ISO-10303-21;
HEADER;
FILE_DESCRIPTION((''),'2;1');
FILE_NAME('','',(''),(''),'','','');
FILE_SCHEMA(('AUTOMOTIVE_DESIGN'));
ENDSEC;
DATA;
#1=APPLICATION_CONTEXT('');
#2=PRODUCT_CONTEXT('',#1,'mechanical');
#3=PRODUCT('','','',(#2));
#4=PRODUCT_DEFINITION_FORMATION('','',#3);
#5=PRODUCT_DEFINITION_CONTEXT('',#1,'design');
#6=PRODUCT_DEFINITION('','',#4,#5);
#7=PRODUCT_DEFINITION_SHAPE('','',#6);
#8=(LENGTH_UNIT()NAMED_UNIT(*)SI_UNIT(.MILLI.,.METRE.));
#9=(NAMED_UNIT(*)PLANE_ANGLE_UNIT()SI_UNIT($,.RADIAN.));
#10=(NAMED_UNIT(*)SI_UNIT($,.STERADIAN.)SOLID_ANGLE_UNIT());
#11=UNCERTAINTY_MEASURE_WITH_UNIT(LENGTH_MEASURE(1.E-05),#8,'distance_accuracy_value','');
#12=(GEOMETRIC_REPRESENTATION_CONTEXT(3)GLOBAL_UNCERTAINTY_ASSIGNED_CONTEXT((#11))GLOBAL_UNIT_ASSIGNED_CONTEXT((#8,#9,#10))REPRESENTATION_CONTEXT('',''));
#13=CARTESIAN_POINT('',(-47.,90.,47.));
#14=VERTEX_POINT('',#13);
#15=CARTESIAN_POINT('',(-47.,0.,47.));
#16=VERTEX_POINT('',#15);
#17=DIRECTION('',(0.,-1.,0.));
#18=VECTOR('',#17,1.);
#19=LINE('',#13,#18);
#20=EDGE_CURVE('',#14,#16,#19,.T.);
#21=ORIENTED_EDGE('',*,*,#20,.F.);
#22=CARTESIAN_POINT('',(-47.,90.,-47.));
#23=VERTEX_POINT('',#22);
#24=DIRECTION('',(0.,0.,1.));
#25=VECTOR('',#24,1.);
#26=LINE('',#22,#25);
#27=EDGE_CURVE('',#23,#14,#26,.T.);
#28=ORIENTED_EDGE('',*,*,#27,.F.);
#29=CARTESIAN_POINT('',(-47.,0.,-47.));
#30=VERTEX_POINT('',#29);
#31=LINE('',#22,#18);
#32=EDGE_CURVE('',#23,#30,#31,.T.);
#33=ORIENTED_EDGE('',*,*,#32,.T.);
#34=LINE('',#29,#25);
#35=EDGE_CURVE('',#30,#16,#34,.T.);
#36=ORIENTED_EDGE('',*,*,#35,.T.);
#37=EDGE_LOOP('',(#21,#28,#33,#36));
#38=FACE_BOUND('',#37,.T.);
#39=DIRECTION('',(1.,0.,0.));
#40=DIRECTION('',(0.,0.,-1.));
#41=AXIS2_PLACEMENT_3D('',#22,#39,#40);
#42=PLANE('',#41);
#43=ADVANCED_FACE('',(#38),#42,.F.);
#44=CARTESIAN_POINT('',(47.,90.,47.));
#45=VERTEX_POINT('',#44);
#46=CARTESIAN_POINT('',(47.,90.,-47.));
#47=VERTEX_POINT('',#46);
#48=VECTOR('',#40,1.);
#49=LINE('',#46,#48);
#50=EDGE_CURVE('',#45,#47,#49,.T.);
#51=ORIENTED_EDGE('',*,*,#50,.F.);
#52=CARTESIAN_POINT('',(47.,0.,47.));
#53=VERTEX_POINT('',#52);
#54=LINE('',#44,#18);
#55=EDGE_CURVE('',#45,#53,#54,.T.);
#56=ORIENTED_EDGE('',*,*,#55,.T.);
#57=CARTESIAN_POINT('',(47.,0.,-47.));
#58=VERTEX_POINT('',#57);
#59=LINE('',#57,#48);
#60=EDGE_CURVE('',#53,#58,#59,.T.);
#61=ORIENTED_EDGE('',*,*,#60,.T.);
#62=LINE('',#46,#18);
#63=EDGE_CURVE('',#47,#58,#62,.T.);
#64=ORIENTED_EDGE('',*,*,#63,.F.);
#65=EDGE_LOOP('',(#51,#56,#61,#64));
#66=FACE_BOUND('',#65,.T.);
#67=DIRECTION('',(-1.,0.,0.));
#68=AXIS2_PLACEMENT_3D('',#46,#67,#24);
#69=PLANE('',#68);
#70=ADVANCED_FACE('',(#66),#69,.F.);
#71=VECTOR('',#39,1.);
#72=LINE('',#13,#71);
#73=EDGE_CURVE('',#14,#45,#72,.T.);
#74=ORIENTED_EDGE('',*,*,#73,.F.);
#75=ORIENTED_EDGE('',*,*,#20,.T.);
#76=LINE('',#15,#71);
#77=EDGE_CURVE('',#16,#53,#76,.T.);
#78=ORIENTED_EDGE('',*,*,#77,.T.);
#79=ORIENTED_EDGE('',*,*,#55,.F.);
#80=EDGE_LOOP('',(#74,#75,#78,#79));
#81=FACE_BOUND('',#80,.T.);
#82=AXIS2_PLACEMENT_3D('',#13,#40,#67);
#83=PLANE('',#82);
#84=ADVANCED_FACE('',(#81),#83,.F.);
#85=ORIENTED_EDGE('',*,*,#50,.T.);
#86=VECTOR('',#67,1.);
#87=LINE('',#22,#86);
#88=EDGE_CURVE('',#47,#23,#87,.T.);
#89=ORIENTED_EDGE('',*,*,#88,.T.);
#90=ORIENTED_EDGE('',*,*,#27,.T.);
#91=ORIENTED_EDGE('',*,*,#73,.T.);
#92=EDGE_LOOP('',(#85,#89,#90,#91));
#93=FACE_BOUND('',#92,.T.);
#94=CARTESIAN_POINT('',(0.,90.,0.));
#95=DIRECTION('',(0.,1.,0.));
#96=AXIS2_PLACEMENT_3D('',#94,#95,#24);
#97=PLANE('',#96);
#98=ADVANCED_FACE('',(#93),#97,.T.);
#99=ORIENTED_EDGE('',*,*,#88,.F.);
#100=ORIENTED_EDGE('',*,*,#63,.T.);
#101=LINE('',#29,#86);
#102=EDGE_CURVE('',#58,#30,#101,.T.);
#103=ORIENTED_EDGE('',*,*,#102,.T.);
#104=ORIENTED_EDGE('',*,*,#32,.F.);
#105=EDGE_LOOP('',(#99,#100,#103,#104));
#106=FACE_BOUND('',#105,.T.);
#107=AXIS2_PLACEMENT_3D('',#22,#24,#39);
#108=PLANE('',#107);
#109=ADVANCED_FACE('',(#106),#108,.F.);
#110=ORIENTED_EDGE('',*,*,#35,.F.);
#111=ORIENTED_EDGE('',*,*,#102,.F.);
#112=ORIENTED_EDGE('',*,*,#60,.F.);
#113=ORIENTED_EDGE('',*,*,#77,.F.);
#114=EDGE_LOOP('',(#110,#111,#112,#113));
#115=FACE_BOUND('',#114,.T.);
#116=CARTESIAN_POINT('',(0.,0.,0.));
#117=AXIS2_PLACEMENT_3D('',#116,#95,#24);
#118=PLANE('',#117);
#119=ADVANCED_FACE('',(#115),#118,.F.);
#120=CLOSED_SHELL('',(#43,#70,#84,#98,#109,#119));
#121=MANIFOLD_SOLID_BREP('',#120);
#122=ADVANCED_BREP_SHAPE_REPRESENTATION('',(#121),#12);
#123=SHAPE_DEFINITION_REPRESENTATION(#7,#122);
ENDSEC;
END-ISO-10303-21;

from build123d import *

# Parameters (mm, degrees)
SKETCH_1_W      = 94
SKETCH_1_H      = 94
EXTRUDE_1_DEPTH = 90


with BuildPart() as part:
    # 草图1 → 凸台-拉伸1 (new body)
    with BuildSketch(Plane(origin=(0, 0, 0), x_dir=(1, 0, 0), z_dir=(0, 1, 0))):
        Rectangle(SKETCH_1_W, SKETCH_1_H)
    extrude(amount=EXTRUDE_1_DEPTH)


solid = part.part
